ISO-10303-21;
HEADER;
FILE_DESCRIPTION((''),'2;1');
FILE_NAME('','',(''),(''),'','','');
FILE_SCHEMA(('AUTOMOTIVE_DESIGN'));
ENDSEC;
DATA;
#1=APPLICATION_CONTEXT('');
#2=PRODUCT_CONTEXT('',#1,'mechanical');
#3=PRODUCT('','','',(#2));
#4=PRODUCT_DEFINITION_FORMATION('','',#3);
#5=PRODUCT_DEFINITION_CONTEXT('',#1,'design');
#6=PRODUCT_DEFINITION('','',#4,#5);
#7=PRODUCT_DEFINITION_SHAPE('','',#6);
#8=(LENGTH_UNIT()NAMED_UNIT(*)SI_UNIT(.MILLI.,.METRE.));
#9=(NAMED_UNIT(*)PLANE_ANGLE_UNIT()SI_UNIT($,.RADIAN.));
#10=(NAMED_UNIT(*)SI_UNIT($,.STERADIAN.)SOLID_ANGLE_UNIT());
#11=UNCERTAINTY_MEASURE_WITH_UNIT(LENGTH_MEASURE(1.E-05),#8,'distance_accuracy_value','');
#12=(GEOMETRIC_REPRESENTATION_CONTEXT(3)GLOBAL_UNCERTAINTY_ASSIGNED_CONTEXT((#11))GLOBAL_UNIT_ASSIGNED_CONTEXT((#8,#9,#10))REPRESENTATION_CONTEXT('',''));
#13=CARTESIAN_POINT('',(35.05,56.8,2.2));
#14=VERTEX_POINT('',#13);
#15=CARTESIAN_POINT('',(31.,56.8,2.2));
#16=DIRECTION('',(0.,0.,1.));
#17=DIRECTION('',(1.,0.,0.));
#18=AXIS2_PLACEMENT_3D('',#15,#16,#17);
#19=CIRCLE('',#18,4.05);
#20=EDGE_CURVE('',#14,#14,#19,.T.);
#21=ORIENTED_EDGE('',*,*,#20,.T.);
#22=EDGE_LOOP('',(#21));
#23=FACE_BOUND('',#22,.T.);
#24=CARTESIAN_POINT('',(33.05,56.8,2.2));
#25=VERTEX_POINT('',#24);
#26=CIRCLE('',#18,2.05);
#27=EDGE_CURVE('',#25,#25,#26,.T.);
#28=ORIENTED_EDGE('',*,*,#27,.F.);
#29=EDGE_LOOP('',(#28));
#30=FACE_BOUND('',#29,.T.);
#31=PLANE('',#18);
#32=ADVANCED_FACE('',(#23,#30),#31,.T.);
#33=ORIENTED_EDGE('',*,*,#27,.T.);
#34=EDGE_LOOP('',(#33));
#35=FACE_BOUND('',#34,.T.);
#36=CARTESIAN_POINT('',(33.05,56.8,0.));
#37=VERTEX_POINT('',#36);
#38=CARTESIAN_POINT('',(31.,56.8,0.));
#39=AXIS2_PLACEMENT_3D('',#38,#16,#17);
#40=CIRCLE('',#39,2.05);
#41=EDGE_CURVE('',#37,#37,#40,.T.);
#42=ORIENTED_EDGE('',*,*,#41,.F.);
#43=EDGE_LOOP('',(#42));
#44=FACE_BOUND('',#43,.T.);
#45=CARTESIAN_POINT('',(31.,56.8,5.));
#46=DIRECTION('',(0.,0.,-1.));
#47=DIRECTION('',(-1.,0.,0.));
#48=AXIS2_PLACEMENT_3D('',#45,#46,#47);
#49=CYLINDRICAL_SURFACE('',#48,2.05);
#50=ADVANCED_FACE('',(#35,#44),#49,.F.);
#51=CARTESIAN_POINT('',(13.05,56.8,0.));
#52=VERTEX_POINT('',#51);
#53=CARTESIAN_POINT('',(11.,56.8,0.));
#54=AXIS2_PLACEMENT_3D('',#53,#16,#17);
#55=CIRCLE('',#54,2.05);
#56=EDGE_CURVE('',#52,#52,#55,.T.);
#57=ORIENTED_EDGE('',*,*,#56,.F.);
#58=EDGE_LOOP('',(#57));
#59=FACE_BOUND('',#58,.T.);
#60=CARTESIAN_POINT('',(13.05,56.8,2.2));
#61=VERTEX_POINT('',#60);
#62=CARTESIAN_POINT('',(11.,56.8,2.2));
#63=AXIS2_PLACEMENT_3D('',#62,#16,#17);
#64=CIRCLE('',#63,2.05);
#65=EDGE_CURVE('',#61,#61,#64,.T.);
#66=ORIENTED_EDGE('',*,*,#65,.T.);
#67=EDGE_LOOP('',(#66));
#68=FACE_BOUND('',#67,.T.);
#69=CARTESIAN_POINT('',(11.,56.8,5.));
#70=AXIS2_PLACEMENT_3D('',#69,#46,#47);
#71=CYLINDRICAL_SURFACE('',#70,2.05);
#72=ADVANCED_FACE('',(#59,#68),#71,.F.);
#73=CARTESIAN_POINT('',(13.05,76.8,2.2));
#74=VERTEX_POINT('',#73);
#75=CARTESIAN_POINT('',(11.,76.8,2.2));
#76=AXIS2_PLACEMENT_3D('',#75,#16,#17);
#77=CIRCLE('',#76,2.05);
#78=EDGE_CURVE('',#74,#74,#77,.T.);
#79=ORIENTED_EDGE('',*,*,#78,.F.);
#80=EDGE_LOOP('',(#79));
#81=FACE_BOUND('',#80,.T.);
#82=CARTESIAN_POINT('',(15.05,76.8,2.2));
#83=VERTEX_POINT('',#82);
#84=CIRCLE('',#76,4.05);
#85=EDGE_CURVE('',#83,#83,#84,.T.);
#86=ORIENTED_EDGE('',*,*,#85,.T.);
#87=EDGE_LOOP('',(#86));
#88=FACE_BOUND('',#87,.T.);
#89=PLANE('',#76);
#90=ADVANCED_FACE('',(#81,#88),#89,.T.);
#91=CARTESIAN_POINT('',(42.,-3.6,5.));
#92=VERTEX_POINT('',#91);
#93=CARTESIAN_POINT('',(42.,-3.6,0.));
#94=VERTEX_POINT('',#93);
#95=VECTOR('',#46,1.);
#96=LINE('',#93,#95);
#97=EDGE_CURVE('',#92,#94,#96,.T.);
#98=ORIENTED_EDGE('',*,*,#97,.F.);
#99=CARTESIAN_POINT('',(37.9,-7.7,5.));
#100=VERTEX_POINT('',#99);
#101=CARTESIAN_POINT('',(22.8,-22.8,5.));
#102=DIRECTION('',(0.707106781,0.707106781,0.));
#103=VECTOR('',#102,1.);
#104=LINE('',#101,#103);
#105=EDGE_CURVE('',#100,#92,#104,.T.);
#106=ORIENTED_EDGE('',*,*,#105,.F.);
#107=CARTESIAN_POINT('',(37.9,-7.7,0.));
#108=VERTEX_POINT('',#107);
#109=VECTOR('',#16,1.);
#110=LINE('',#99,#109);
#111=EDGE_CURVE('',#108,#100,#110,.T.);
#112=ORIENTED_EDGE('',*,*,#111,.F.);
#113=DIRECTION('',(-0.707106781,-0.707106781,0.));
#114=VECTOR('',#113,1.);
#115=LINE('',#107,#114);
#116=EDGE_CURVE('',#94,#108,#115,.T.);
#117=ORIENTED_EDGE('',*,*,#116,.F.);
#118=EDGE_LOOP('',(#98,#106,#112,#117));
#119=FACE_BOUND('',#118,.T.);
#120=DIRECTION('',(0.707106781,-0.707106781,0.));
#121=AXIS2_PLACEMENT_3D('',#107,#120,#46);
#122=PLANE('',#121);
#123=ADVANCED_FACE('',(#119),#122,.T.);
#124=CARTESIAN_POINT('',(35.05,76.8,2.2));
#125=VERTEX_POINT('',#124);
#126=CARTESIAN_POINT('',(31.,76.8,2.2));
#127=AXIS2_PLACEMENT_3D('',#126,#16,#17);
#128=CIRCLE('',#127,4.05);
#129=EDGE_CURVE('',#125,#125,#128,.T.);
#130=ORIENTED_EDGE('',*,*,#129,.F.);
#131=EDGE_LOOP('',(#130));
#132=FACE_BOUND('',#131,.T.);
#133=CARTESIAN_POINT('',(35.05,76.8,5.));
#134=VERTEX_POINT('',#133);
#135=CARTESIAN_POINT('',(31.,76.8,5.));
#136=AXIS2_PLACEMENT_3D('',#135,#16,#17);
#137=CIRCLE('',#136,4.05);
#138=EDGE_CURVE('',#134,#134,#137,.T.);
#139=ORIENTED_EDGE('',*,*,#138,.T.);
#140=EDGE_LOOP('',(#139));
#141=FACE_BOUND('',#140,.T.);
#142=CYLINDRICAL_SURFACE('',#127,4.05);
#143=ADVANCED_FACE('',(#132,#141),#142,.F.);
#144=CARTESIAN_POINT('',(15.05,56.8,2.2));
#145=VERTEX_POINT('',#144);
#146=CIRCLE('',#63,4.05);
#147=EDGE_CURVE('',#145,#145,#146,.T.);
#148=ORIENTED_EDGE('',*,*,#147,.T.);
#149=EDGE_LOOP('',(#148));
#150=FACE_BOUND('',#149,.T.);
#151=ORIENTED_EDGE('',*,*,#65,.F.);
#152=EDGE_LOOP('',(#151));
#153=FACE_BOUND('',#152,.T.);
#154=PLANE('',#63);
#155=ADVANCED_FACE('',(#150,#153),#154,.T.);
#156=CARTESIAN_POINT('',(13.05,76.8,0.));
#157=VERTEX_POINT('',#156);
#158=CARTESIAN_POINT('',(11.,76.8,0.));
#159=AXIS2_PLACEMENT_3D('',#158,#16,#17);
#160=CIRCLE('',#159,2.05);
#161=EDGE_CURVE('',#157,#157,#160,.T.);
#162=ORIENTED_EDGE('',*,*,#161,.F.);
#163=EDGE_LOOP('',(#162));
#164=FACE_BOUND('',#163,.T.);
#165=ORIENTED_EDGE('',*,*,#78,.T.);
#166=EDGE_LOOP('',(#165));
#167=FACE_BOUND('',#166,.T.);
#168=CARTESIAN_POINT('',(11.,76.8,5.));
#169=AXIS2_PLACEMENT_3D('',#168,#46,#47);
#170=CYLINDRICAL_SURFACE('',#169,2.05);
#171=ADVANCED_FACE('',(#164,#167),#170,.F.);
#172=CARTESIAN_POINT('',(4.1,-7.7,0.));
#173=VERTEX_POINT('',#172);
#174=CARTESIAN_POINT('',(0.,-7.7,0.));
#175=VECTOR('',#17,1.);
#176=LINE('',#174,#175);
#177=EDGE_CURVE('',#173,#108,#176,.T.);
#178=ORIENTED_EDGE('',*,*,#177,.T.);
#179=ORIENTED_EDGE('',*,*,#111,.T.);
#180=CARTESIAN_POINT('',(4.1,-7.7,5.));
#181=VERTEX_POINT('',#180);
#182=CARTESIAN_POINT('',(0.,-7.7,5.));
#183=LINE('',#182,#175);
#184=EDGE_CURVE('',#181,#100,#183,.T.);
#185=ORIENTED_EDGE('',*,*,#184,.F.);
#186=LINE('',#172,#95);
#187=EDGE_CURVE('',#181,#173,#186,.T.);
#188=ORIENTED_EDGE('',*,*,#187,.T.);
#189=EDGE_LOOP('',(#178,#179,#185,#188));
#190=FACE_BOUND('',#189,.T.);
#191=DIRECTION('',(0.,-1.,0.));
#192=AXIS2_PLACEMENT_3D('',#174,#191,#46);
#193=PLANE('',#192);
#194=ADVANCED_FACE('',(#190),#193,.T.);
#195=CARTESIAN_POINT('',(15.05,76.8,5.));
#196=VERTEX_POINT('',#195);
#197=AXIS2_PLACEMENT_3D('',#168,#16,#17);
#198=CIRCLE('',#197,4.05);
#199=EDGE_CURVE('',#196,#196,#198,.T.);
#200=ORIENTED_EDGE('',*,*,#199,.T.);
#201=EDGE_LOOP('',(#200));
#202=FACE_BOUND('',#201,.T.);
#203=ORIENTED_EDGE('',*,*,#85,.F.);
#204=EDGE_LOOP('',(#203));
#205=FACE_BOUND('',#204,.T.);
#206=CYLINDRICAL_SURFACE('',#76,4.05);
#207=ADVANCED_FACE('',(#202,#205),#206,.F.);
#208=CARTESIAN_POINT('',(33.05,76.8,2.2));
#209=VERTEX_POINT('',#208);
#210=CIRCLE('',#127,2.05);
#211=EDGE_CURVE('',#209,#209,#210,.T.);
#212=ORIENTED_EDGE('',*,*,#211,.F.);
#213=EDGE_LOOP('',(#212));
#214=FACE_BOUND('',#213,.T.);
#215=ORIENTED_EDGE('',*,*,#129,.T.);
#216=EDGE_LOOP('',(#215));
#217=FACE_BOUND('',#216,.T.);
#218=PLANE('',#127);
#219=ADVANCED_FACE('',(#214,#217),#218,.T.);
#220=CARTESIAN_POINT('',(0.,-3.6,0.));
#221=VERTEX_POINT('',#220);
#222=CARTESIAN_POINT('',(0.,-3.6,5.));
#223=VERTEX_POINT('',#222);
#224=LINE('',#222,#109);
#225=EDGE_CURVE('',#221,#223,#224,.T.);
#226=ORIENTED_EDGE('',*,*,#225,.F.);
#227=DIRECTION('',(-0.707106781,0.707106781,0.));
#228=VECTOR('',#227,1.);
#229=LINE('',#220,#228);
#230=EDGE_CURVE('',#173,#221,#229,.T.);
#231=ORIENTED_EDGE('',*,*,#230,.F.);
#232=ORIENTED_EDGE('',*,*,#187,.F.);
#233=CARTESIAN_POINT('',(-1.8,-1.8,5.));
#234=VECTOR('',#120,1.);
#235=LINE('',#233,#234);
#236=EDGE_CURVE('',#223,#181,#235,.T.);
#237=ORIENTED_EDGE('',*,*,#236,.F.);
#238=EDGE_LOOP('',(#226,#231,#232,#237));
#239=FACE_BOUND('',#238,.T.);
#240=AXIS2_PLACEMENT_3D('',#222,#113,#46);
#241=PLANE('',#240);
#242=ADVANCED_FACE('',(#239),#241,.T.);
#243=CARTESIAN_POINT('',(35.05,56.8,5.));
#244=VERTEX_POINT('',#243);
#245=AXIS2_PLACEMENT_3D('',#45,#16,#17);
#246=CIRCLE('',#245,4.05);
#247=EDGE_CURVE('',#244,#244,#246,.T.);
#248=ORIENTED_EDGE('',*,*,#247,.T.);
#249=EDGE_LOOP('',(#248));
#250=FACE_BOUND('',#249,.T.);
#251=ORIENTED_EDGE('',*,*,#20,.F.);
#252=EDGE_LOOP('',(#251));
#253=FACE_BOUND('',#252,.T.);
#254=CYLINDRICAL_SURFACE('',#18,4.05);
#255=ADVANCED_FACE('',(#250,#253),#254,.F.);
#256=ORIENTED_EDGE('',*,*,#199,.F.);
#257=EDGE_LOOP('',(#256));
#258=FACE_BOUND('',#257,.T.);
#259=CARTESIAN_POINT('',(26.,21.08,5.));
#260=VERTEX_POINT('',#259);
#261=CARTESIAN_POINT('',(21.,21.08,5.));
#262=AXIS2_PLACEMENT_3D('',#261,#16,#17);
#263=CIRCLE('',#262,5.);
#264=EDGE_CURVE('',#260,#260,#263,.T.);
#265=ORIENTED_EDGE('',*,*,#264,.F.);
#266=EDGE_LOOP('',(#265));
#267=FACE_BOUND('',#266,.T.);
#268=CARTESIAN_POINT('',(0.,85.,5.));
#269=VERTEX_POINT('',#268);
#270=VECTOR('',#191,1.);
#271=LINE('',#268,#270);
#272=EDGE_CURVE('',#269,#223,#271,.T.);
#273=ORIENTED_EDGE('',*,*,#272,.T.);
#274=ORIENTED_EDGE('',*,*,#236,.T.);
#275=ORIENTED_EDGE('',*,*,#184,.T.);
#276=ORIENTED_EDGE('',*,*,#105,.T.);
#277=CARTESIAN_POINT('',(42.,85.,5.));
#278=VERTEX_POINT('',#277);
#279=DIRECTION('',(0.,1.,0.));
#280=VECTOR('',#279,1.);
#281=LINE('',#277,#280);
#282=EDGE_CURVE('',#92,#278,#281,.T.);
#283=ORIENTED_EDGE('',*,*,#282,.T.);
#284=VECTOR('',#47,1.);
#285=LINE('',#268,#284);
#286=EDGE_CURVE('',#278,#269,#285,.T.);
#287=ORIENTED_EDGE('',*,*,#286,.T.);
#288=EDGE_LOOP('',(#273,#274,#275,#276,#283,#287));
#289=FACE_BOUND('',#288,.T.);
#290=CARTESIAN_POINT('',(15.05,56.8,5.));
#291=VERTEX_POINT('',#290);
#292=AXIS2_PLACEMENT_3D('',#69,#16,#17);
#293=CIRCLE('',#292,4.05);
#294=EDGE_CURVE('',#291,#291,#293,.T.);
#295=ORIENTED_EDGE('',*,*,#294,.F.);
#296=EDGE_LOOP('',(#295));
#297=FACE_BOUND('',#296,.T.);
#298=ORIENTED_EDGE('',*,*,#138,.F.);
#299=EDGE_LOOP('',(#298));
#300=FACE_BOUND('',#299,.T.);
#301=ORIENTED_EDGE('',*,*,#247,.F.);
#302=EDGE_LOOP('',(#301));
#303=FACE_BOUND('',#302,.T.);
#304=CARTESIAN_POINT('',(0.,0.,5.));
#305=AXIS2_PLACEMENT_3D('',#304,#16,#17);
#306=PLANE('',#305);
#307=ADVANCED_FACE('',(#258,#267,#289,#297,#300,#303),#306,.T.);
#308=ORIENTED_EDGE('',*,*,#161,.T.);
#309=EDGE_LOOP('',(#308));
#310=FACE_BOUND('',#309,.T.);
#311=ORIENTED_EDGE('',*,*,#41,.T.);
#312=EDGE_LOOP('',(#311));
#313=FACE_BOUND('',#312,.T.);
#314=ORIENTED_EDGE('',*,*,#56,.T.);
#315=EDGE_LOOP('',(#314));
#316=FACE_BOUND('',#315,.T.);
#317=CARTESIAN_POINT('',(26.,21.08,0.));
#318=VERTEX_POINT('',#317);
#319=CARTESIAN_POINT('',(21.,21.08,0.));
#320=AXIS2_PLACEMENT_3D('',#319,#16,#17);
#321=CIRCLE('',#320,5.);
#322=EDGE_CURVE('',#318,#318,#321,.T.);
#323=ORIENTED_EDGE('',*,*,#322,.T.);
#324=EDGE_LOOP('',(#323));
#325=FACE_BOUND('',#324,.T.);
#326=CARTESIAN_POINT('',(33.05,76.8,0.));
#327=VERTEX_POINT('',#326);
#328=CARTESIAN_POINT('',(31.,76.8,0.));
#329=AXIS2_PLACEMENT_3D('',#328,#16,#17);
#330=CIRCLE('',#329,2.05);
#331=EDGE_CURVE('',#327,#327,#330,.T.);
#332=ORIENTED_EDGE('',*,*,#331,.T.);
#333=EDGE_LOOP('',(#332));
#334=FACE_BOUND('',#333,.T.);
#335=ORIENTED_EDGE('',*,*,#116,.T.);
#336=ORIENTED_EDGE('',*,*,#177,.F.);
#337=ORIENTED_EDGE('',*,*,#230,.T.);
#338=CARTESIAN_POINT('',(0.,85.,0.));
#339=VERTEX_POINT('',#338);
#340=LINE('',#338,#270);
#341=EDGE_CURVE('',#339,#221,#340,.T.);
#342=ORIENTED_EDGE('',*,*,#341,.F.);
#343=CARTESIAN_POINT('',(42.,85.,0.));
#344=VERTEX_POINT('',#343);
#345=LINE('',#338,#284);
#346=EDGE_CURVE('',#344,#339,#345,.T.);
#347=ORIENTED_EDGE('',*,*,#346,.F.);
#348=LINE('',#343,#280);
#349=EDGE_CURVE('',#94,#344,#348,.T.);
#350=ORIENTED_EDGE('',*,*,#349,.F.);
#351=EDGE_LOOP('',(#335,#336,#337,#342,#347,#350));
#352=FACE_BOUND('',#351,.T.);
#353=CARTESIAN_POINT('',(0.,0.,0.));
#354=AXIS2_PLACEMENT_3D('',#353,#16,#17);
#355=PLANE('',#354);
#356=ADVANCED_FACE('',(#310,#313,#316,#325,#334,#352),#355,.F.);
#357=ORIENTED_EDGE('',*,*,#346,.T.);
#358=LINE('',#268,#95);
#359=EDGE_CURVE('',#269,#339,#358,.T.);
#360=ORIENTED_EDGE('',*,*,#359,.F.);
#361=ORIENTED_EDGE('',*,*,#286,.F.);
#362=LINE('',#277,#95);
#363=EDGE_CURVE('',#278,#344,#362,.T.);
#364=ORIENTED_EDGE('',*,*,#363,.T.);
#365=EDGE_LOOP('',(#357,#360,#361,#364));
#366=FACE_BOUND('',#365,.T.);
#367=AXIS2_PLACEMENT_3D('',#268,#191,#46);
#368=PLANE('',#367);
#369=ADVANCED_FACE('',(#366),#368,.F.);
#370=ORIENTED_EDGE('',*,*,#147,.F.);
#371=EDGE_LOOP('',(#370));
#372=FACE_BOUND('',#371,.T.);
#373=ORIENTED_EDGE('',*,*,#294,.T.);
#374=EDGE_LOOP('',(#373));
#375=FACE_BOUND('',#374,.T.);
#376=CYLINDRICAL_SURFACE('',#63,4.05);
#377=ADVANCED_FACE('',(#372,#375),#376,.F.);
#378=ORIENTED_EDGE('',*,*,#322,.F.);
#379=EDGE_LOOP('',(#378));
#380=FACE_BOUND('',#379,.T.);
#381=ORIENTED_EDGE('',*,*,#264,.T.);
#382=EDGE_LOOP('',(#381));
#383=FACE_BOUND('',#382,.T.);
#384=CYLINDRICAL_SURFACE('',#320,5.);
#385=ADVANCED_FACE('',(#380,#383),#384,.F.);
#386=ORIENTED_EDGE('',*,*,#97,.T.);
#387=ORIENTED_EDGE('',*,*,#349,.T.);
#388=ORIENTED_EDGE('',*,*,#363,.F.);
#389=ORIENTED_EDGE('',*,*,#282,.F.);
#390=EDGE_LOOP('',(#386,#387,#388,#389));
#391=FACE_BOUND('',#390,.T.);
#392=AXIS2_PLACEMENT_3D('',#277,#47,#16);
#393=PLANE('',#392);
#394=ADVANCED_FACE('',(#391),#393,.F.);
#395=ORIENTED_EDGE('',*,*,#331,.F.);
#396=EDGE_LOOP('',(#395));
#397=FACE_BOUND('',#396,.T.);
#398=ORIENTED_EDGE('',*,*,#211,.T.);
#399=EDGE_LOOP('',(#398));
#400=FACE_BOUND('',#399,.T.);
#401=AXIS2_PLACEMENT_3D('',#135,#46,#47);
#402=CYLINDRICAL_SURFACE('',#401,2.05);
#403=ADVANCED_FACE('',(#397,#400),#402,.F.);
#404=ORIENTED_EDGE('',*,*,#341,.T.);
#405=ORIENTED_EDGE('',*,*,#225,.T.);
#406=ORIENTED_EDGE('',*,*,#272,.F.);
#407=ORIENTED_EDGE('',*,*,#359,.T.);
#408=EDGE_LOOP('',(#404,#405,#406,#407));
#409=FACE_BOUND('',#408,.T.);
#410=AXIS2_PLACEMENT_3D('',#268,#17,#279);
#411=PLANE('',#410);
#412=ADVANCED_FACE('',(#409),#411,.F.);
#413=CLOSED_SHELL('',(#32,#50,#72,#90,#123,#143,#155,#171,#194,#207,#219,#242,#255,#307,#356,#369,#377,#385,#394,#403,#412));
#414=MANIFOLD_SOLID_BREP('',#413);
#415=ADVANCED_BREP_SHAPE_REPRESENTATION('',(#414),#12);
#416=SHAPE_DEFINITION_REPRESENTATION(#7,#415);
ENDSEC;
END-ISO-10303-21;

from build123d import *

# Parameters (mm, degrees)
CROQUIS1_W              = 42
CROQUIS1_H              = 85
CROQUIS1_R              = 2.05
SALIENTE_EXTRUIR1_DEPTH = 5
CROQUIS4_R              = 4.05
CORTAR_EXTRUIR1_DEPTH   = 2.8
CROQUIS7_R              = 5
CORTAR_EXTRUIR4_DEPTH   = 6
CROQUIS8_W              = 42
CROQUIS8_H              = 7.7
SALIENTE_EXTRUIR2_DEPTH = 5
CHAFL_N1_SIZE           = 4.1


with BuildPart() as part:
    # Croquis1 → Saliente-Extruir1 (new body)
    with BuildSketch(Plane.XY):
        with Locations((21, 42.5)):
            Rectangle(CROQUIS1_W, CROQUIS1_H)
        with Locations((11, 76.8)):
            Circle(CROQUIS1_R, mode=Mode.SUBTRACT)
        with Locations((31, 76.8)):
            Circle(CROQUIS1_R, mode=Mode.SUBTRACT)
        with Locations((31, 56.8)):
            Circle(CROQUIS1_R, mode=Mode.SUBTRACT)
        with Locations((11, 56.8)):
            Circle(CROQUIS1_R, mode=Mode.SUBTRACT)
    extrude(amount=SALIENTE_EXTRUIR1_DEPTH)

    # Croquis4 → Cortar-Extruir1 (cut)
    with BuildSketch(Plane.XY.offset(5)):
        with Locations((11, 76.8)):
            Circle(CROQUIS4_R)
        with Locations((11, 56.8)):
            Circle(CROQUIS4_R)
        with Locations((31, 56.8)):
            Circle(CROQUIS4_R)
        with Locations((31, 76.8)):
            Circle(CROQUIS4_R)
    extrude(amount=-CORTAR_EXTRUIR1_DEPTH, mode=Mode.SUBTRACT)

    # Croquis7 → Cortar-Extruir4 (cut, through all)
    with BuildSketch(Plane.XY.offset(5)):
        with Locations((21, 21.08)):
            Circle(CROQUIS7_R)
    extrude(amount=-CORTAR_EXTRUIR4_DEPTH, mode=Mode.SUBTRACT)

    # Croquis8 → Saliente-Extruir2 (add, through all)
    with BuildSketch(Plane.XY.offset(5)):
        with Locations((21, -3.85)):
            Rectangle(CROQUIS8_W, CROQUIS8_H)
    extrude(amount=-SALIENTE_EXTRUIR2_DEPTH)

    # Chaflán1
    chafl_n1_edges = [part.edges().sort_by_distance(p)[0] for p in [
        (0, -7.7, 2.5),
        (42, -7.7, 2.5),
    ]]
    chamfer(chafl_n1_edges, length=CHAFL_N1_SIZE)


solid = part.part
